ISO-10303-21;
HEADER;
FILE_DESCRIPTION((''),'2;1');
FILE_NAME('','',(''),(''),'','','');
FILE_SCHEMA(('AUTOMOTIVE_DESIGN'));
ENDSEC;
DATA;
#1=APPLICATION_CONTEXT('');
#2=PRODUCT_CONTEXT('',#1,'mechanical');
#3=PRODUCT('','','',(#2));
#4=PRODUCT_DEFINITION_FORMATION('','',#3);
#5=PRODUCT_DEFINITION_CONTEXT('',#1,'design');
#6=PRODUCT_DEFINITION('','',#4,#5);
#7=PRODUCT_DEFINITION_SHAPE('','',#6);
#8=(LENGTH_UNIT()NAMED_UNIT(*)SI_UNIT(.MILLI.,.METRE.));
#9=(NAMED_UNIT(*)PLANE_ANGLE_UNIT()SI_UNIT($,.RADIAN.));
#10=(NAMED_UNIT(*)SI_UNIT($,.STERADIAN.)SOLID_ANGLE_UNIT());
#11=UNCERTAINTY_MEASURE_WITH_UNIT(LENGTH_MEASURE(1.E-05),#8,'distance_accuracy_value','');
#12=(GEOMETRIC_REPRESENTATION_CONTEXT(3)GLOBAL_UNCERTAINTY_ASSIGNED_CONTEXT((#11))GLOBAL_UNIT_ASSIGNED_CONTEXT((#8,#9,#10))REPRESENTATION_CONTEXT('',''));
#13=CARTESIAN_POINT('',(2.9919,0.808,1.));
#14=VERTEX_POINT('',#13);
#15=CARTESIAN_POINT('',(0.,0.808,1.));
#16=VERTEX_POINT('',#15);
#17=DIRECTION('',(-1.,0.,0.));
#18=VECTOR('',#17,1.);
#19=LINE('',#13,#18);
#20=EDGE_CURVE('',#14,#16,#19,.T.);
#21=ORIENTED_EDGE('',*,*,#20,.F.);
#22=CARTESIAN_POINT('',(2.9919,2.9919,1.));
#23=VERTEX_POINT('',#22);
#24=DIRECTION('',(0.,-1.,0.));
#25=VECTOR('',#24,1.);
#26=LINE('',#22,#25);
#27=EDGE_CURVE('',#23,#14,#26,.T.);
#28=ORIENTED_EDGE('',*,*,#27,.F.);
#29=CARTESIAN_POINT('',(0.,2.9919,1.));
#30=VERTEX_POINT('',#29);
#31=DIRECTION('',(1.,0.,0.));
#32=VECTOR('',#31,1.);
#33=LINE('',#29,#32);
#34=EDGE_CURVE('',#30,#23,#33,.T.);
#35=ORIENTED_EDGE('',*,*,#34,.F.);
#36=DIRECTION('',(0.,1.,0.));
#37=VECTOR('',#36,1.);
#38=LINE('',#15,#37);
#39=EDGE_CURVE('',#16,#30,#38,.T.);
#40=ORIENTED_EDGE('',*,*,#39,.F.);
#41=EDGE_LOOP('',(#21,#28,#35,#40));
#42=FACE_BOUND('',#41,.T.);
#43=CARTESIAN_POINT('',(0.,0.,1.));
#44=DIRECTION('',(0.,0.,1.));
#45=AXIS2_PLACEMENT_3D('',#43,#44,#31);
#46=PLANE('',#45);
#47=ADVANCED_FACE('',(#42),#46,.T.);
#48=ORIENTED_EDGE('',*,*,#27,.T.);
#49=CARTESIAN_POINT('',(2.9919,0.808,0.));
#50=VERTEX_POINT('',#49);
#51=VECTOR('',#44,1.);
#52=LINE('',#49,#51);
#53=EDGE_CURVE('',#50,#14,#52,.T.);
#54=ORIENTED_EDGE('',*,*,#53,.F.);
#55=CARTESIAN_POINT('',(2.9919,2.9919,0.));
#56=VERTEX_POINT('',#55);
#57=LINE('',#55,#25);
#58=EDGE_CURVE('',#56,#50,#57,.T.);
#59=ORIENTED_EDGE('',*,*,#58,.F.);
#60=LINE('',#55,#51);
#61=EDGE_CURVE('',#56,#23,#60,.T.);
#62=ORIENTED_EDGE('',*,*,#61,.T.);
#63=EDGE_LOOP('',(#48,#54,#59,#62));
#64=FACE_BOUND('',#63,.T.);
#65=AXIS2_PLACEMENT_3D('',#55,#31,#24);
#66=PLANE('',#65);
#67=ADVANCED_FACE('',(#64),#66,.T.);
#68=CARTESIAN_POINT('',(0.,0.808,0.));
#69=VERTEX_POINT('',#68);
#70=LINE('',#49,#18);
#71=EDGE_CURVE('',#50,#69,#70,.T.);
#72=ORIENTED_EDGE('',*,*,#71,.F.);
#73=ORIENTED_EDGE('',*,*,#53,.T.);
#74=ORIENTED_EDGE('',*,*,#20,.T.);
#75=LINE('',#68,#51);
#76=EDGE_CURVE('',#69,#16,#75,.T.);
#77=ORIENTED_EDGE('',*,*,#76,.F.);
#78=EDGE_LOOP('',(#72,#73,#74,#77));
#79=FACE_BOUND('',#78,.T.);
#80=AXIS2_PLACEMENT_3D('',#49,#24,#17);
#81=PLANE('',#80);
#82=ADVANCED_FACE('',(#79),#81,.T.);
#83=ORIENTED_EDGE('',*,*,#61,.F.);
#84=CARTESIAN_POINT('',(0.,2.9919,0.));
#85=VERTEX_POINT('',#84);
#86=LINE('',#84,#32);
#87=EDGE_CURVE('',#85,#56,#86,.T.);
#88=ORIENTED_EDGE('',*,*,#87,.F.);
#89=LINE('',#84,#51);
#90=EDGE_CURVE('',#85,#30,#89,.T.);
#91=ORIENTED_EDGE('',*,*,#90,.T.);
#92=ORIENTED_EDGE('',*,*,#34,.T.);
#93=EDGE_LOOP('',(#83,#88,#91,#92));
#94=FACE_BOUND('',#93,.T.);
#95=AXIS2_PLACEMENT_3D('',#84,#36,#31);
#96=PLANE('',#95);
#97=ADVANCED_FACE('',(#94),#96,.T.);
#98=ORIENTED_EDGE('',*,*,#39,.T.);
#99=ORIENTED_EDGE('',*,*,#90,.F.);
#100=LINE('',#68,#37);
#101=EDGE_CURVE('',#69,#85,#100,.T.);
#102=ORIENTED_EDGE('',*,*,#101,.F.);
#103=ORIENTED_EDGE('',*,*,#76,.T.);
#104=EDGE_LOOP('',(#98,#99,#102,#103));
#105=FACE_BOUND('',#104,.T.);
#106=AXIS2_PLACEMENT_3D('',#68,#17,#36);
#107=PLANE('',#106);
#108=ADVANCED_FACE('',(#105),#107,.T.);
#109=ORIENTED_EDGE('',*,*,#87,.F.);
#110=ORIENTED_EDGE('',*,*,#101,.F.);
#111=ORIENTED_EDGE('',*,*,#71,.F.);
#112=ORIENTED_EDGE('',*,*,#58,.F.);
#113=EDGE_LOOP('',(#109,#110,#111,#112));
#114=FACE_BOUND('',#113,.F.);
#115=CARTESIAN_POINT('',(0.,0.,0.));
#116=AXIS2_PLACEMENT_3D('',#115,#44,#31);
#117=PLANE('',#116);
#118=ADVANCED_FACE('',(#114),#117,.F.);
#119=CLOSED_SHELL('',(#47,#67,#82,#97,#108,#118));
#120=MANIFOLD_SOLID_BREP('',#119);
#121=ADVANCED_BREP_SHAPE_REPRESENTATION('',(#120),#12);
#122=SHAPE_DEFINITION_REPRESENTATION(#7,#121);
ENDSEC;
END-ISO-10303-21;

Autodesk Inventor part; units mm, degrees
ref_plane "YZ Plane" through (0, 0, 0) normal (1, 0, 0) x (0, 1, 0)
ref_plane "XZ Plane" through (0, 0, 0) normal (0, 1, 0) x (-1, 0, 0)
ref_plane "XY Plane" through (0, 0, 0) normal (0, 0, 1) x (1, 0, 0)
sketch "Sketch1" plane through (0, 0, 0) normal (0, 0, 1) x (1, 0, 0)
  line L0 (0, 2.9919) -> (2.9919, 2.9919)
  line L1 (2.9919, 2.9919) -> (2.9919, 0.808)
  line L2 (2.9919, 0.808) -> (0, 0.808)
  line L3 (0, 0.808) -> (0, 2.9919)
  point P0 (0, 0)
extrude "Extrusion1" add sketch "Sketch1" along normal blind 1
properties part number "19"
